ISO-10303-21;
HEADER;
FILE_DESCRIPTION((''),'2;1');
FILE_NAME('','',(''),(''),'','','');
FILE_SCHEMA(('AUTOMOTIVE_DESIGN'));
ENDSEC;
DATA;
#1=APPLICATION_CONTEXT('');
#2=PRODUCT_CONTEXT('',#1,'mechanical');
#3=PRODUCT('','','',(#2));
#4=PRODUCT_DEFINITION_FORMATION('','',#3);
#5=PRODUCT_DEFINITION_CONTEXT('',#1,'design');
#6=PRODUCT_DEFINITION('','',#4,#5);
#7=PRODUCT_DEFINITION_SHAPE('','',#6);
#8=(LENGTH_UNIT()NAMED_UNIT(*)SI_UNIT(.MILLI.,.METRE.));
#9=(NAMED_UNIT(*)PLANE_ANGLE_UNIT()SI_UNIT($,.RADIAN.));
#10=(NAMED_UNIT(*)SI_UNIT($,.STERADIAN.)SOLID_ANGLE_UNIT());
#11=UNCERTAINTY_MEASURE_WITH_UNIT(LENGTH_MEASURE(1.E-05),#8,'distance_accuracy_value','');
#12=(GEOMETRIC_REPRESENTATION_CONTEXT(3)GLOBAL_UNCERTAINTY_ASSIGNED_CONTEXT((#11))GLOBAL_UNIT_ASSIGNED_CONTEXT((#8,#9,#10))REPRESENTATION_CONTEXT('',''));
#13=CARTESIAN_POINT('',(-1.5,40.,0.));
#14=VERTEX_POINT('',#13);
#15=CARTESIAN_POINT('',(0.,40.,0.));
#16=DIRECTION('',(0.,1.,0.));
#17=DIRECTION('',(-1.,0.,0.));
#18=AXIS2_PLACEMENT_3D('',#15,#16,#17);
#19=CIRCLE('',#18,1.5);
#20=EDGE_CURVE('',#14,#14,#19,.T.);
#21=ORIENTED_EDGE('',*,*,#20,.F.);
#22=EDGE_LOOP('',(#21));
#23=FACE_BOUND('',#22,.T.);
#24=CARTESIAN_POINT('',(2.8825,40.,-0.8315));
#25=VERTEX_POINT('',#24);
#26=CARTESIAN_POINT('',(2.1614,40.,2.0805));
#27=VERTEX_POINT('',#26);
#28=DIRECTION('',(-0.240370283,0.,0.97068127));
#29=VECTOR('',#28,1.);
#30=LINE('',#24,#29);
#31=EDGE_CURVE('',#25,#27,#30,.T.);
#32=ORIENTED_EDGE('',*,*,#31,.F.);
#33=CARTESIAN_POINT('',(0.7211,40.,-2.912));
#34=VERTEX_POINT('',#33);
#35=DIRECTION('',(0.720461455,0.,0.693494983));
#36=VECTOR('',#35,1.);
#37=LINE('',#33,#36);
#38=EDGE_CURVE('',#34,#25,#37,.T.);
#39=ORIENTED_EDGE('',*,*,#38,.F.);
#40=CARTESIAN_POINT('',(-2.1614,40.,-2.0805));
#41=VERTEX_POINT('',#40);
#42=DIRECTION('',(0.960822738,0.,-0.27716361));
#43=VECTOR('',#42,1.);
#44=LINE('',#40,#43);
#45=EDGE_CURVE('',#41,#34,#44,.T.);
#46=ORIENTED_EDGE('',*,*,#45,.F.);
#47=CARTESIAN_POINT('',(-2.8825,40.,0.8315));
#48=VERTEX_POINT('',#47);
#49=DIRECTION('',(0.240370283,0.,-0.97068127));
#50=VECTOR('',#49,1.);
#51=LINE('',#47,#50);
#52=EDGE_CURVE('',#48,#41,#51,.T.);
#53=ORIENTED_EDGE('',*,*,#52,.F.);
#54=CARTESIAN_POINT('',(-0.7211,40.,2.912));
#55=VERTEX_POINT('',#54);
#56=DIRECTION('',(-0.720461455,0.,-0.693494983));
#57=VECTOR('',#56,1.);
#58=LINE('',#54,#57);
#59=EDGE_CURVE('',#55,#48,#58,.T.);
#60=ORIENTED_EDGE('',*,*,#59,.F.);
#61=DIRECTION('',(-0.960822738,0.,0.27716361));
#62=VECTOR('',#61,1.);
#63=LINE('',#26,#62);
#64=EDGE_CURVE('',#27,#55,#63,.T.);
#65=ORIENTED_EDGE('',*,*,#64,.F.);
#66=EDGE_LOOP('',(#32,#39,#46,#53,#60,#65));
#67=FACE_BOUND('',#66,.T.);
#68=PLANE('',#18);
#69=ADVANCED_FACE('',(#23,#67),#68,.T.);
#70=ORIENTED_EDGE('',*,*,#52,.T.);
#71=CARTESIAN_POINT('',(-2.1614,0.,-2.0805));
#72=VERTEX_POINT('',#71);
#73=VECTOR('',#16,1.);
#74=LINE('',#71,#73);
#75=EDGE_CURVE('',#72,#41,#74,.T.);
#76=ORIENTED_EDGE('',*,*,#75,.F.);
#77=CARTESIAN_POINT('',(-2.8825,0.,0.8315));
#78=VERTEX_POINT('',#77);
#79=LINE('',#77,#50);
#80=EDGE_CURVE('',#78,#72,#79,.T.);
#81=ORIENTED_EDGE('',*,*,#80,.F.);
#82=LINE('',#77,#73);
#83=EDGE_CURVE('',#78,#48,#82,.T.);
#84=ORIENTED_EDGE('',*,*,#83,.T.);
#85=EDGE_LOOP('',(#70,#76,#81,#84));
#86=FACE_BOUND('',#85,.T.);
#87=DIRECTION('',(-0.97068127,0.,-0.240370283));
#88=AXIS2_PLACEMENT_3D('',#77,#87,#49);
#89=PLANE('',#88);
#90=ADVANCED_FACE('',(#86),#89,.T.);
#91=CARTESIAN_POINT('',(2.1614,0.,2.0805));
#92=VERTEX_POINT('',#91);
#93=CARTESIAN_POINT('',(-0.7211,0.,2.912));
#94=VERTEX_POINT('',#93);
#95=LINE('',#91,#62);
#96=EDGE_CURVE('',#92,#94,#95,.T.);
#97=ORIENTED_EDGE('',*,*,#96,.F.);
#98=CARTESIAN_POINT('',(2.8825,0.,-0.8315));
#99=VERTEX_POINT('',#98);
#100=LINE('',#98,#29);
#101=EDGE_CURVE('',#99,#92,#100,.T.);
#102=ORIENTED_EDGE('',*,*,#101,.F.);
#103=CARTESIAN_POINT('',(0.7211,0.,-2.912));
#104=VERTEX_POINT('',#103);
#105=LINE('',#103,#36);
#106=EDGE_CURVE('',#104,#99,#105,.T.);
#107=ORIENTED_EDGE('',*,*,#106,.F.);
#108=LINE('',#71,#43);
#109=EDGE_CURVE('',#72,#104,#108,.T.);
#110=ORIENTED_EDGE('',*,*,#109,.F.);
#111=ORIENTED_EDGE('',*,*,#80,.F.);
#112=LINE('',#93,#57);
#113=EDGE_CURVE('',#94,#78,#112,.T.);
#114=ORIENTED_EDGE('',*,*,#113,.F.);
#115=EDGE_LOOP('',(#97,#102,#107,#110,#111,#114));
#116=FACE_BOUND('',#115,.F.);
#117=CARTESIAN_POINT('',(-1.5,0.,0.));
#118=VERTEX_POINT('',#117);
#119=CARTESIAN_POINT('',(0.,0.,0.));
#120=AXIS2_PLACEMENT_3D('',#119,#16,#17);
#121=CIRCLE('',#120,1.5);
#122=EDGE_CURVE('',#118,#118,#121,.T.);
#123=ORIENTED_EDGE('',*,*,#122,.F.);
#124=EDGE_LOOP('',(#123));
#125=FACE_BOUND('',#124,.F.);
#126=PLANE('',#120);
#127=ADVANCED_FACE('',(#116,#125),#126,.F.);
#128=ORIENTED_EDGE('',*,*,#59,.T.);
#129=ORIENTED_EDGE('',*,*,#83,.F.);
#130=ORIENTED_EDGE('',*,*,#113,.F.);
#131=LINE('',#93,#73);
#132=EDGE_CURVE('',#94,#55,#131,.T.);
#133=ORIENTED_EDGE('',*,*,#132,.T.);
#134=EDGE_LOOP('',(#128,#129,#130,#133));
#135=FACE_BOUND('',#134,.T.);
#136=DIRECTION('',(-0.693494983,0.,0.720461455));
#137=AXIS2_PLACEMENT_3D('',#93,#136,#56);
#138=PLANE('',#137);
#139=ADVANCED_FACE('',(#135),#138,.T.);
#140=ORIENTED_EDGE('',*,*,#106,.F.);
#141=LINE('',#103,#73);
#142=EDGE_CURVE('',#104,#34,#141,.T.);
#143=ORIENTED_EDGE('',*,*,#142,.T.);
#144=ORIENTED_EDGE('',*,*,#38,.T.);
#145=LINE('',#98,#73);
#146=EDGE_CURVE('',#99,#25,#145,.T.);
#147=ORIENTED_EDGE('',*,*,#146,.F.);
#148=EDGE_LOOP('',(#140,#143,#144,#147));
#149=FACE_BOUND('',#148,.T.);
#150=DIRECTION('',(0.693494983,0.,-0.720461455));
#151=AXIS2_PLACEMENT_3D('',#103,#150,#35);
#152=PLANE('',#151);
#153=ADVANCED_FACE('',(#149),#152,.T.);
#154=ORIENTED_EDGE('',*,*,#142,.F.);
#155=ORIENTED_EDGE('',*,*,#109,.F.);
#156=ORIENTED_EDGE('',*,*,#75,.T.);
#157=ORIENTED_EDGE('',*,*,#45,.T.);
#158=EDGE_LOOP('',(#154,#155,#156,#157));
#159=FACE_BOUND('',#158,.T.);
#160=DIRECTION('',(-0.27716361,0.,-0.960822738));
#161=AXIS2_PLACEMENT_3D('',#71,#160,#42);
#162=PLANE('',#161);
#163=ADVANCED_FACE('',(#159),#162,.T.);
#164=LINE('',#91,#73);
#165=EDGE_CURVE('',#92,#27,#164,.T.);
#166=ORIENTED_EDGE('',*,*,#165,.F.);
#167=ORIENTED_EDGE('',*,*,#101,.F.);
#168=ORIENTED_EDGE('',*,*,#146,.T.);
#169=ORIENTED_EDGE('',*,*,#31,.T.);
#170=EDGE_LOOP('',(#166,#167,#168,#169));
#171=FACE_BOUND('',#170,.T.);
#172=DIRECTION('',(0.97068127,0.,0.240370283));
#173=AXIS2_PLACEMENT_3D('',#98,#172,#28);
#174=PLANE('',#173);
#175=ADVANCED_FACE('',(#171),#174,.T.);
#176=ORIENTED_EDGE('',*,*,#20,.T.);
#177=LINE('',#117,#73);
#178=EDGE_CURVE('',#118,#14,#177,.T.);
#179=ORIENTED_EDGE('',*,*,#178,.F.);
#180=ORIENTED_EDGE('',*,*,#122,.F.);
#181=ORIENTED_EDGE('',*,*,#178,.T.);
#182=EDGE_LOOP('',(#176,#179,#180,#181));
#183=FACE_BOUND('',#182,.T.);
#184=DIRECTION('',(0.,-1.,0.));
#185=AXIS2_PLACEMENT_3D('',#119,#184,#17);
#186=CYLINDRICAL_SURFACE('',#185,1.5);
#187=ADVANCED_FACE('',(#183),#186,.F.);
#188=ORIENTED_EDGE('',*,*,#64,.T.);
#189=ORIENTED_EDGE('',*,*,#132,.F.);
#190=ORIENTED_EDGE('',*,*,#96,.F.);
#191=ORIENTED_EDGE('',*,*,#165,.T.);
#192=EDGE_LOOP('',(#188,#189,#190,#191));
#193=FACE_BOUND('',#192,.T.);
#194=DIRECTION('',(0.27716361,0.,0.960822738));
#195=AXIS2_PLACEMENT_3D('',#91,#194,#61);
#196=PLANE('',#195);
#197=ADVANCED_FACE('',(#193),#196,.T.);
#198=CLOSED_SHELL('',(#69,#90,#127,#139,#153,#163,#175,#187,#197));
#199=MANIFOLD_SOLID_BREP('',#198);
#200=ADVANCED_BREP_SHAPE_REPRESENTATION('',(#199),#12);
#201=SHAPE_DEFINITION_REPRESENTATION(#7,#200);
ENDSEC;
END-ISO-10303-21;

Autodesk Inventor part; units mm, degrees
ref_plane "YZ Plane" through (0, 0, 0) normal (1, 0, 0) x (0, 1, 0)
ref_plane "XZ Plane" through (0, 0, 0) normal (0, 1, 0) x (-1, 0, 0)
ref_plane "XY Plane" through (0, 0, 0) normal (0, 0, 1) x (1, 0, 0)
sketch "Sketch1" plane through (0, 0, 0) normal (0, 1, 0) x (-1, 0, 0)
  circle A0 centre (0, 0) radius 1.5
  line L0 (-0.7211, -2.912) -> (-2.8825, -0.8315)
  line L1 (-2.8825, -0.8315) -> (-2.1614, 2.0805)
  line L2 (-2.1614, 2.0805) -> (0.7211, 2.912)
  line L3 (0.7211, 2.912) -> (2.8825, 0.8315)
  line L4 (2.8825, 0.8315) -> (2.1614, -2.0805)
  line L5 (2.1614, -2.0805) -> (-0.7211, -2.912)
  dimension "d0" = 3
  dimension "d1" = 6
extrude "Extrusion1" add sketch "Sketch1" along normal blind 40
thread "Thread1" size "M3x0.5" class "6H" standard "ANSI Metric M Profile" length 10
thread "Thread2" size "M3x0.5" class "6H" standard "ANSI Metric M Profile" length 10
properties part number "Spacer40"
